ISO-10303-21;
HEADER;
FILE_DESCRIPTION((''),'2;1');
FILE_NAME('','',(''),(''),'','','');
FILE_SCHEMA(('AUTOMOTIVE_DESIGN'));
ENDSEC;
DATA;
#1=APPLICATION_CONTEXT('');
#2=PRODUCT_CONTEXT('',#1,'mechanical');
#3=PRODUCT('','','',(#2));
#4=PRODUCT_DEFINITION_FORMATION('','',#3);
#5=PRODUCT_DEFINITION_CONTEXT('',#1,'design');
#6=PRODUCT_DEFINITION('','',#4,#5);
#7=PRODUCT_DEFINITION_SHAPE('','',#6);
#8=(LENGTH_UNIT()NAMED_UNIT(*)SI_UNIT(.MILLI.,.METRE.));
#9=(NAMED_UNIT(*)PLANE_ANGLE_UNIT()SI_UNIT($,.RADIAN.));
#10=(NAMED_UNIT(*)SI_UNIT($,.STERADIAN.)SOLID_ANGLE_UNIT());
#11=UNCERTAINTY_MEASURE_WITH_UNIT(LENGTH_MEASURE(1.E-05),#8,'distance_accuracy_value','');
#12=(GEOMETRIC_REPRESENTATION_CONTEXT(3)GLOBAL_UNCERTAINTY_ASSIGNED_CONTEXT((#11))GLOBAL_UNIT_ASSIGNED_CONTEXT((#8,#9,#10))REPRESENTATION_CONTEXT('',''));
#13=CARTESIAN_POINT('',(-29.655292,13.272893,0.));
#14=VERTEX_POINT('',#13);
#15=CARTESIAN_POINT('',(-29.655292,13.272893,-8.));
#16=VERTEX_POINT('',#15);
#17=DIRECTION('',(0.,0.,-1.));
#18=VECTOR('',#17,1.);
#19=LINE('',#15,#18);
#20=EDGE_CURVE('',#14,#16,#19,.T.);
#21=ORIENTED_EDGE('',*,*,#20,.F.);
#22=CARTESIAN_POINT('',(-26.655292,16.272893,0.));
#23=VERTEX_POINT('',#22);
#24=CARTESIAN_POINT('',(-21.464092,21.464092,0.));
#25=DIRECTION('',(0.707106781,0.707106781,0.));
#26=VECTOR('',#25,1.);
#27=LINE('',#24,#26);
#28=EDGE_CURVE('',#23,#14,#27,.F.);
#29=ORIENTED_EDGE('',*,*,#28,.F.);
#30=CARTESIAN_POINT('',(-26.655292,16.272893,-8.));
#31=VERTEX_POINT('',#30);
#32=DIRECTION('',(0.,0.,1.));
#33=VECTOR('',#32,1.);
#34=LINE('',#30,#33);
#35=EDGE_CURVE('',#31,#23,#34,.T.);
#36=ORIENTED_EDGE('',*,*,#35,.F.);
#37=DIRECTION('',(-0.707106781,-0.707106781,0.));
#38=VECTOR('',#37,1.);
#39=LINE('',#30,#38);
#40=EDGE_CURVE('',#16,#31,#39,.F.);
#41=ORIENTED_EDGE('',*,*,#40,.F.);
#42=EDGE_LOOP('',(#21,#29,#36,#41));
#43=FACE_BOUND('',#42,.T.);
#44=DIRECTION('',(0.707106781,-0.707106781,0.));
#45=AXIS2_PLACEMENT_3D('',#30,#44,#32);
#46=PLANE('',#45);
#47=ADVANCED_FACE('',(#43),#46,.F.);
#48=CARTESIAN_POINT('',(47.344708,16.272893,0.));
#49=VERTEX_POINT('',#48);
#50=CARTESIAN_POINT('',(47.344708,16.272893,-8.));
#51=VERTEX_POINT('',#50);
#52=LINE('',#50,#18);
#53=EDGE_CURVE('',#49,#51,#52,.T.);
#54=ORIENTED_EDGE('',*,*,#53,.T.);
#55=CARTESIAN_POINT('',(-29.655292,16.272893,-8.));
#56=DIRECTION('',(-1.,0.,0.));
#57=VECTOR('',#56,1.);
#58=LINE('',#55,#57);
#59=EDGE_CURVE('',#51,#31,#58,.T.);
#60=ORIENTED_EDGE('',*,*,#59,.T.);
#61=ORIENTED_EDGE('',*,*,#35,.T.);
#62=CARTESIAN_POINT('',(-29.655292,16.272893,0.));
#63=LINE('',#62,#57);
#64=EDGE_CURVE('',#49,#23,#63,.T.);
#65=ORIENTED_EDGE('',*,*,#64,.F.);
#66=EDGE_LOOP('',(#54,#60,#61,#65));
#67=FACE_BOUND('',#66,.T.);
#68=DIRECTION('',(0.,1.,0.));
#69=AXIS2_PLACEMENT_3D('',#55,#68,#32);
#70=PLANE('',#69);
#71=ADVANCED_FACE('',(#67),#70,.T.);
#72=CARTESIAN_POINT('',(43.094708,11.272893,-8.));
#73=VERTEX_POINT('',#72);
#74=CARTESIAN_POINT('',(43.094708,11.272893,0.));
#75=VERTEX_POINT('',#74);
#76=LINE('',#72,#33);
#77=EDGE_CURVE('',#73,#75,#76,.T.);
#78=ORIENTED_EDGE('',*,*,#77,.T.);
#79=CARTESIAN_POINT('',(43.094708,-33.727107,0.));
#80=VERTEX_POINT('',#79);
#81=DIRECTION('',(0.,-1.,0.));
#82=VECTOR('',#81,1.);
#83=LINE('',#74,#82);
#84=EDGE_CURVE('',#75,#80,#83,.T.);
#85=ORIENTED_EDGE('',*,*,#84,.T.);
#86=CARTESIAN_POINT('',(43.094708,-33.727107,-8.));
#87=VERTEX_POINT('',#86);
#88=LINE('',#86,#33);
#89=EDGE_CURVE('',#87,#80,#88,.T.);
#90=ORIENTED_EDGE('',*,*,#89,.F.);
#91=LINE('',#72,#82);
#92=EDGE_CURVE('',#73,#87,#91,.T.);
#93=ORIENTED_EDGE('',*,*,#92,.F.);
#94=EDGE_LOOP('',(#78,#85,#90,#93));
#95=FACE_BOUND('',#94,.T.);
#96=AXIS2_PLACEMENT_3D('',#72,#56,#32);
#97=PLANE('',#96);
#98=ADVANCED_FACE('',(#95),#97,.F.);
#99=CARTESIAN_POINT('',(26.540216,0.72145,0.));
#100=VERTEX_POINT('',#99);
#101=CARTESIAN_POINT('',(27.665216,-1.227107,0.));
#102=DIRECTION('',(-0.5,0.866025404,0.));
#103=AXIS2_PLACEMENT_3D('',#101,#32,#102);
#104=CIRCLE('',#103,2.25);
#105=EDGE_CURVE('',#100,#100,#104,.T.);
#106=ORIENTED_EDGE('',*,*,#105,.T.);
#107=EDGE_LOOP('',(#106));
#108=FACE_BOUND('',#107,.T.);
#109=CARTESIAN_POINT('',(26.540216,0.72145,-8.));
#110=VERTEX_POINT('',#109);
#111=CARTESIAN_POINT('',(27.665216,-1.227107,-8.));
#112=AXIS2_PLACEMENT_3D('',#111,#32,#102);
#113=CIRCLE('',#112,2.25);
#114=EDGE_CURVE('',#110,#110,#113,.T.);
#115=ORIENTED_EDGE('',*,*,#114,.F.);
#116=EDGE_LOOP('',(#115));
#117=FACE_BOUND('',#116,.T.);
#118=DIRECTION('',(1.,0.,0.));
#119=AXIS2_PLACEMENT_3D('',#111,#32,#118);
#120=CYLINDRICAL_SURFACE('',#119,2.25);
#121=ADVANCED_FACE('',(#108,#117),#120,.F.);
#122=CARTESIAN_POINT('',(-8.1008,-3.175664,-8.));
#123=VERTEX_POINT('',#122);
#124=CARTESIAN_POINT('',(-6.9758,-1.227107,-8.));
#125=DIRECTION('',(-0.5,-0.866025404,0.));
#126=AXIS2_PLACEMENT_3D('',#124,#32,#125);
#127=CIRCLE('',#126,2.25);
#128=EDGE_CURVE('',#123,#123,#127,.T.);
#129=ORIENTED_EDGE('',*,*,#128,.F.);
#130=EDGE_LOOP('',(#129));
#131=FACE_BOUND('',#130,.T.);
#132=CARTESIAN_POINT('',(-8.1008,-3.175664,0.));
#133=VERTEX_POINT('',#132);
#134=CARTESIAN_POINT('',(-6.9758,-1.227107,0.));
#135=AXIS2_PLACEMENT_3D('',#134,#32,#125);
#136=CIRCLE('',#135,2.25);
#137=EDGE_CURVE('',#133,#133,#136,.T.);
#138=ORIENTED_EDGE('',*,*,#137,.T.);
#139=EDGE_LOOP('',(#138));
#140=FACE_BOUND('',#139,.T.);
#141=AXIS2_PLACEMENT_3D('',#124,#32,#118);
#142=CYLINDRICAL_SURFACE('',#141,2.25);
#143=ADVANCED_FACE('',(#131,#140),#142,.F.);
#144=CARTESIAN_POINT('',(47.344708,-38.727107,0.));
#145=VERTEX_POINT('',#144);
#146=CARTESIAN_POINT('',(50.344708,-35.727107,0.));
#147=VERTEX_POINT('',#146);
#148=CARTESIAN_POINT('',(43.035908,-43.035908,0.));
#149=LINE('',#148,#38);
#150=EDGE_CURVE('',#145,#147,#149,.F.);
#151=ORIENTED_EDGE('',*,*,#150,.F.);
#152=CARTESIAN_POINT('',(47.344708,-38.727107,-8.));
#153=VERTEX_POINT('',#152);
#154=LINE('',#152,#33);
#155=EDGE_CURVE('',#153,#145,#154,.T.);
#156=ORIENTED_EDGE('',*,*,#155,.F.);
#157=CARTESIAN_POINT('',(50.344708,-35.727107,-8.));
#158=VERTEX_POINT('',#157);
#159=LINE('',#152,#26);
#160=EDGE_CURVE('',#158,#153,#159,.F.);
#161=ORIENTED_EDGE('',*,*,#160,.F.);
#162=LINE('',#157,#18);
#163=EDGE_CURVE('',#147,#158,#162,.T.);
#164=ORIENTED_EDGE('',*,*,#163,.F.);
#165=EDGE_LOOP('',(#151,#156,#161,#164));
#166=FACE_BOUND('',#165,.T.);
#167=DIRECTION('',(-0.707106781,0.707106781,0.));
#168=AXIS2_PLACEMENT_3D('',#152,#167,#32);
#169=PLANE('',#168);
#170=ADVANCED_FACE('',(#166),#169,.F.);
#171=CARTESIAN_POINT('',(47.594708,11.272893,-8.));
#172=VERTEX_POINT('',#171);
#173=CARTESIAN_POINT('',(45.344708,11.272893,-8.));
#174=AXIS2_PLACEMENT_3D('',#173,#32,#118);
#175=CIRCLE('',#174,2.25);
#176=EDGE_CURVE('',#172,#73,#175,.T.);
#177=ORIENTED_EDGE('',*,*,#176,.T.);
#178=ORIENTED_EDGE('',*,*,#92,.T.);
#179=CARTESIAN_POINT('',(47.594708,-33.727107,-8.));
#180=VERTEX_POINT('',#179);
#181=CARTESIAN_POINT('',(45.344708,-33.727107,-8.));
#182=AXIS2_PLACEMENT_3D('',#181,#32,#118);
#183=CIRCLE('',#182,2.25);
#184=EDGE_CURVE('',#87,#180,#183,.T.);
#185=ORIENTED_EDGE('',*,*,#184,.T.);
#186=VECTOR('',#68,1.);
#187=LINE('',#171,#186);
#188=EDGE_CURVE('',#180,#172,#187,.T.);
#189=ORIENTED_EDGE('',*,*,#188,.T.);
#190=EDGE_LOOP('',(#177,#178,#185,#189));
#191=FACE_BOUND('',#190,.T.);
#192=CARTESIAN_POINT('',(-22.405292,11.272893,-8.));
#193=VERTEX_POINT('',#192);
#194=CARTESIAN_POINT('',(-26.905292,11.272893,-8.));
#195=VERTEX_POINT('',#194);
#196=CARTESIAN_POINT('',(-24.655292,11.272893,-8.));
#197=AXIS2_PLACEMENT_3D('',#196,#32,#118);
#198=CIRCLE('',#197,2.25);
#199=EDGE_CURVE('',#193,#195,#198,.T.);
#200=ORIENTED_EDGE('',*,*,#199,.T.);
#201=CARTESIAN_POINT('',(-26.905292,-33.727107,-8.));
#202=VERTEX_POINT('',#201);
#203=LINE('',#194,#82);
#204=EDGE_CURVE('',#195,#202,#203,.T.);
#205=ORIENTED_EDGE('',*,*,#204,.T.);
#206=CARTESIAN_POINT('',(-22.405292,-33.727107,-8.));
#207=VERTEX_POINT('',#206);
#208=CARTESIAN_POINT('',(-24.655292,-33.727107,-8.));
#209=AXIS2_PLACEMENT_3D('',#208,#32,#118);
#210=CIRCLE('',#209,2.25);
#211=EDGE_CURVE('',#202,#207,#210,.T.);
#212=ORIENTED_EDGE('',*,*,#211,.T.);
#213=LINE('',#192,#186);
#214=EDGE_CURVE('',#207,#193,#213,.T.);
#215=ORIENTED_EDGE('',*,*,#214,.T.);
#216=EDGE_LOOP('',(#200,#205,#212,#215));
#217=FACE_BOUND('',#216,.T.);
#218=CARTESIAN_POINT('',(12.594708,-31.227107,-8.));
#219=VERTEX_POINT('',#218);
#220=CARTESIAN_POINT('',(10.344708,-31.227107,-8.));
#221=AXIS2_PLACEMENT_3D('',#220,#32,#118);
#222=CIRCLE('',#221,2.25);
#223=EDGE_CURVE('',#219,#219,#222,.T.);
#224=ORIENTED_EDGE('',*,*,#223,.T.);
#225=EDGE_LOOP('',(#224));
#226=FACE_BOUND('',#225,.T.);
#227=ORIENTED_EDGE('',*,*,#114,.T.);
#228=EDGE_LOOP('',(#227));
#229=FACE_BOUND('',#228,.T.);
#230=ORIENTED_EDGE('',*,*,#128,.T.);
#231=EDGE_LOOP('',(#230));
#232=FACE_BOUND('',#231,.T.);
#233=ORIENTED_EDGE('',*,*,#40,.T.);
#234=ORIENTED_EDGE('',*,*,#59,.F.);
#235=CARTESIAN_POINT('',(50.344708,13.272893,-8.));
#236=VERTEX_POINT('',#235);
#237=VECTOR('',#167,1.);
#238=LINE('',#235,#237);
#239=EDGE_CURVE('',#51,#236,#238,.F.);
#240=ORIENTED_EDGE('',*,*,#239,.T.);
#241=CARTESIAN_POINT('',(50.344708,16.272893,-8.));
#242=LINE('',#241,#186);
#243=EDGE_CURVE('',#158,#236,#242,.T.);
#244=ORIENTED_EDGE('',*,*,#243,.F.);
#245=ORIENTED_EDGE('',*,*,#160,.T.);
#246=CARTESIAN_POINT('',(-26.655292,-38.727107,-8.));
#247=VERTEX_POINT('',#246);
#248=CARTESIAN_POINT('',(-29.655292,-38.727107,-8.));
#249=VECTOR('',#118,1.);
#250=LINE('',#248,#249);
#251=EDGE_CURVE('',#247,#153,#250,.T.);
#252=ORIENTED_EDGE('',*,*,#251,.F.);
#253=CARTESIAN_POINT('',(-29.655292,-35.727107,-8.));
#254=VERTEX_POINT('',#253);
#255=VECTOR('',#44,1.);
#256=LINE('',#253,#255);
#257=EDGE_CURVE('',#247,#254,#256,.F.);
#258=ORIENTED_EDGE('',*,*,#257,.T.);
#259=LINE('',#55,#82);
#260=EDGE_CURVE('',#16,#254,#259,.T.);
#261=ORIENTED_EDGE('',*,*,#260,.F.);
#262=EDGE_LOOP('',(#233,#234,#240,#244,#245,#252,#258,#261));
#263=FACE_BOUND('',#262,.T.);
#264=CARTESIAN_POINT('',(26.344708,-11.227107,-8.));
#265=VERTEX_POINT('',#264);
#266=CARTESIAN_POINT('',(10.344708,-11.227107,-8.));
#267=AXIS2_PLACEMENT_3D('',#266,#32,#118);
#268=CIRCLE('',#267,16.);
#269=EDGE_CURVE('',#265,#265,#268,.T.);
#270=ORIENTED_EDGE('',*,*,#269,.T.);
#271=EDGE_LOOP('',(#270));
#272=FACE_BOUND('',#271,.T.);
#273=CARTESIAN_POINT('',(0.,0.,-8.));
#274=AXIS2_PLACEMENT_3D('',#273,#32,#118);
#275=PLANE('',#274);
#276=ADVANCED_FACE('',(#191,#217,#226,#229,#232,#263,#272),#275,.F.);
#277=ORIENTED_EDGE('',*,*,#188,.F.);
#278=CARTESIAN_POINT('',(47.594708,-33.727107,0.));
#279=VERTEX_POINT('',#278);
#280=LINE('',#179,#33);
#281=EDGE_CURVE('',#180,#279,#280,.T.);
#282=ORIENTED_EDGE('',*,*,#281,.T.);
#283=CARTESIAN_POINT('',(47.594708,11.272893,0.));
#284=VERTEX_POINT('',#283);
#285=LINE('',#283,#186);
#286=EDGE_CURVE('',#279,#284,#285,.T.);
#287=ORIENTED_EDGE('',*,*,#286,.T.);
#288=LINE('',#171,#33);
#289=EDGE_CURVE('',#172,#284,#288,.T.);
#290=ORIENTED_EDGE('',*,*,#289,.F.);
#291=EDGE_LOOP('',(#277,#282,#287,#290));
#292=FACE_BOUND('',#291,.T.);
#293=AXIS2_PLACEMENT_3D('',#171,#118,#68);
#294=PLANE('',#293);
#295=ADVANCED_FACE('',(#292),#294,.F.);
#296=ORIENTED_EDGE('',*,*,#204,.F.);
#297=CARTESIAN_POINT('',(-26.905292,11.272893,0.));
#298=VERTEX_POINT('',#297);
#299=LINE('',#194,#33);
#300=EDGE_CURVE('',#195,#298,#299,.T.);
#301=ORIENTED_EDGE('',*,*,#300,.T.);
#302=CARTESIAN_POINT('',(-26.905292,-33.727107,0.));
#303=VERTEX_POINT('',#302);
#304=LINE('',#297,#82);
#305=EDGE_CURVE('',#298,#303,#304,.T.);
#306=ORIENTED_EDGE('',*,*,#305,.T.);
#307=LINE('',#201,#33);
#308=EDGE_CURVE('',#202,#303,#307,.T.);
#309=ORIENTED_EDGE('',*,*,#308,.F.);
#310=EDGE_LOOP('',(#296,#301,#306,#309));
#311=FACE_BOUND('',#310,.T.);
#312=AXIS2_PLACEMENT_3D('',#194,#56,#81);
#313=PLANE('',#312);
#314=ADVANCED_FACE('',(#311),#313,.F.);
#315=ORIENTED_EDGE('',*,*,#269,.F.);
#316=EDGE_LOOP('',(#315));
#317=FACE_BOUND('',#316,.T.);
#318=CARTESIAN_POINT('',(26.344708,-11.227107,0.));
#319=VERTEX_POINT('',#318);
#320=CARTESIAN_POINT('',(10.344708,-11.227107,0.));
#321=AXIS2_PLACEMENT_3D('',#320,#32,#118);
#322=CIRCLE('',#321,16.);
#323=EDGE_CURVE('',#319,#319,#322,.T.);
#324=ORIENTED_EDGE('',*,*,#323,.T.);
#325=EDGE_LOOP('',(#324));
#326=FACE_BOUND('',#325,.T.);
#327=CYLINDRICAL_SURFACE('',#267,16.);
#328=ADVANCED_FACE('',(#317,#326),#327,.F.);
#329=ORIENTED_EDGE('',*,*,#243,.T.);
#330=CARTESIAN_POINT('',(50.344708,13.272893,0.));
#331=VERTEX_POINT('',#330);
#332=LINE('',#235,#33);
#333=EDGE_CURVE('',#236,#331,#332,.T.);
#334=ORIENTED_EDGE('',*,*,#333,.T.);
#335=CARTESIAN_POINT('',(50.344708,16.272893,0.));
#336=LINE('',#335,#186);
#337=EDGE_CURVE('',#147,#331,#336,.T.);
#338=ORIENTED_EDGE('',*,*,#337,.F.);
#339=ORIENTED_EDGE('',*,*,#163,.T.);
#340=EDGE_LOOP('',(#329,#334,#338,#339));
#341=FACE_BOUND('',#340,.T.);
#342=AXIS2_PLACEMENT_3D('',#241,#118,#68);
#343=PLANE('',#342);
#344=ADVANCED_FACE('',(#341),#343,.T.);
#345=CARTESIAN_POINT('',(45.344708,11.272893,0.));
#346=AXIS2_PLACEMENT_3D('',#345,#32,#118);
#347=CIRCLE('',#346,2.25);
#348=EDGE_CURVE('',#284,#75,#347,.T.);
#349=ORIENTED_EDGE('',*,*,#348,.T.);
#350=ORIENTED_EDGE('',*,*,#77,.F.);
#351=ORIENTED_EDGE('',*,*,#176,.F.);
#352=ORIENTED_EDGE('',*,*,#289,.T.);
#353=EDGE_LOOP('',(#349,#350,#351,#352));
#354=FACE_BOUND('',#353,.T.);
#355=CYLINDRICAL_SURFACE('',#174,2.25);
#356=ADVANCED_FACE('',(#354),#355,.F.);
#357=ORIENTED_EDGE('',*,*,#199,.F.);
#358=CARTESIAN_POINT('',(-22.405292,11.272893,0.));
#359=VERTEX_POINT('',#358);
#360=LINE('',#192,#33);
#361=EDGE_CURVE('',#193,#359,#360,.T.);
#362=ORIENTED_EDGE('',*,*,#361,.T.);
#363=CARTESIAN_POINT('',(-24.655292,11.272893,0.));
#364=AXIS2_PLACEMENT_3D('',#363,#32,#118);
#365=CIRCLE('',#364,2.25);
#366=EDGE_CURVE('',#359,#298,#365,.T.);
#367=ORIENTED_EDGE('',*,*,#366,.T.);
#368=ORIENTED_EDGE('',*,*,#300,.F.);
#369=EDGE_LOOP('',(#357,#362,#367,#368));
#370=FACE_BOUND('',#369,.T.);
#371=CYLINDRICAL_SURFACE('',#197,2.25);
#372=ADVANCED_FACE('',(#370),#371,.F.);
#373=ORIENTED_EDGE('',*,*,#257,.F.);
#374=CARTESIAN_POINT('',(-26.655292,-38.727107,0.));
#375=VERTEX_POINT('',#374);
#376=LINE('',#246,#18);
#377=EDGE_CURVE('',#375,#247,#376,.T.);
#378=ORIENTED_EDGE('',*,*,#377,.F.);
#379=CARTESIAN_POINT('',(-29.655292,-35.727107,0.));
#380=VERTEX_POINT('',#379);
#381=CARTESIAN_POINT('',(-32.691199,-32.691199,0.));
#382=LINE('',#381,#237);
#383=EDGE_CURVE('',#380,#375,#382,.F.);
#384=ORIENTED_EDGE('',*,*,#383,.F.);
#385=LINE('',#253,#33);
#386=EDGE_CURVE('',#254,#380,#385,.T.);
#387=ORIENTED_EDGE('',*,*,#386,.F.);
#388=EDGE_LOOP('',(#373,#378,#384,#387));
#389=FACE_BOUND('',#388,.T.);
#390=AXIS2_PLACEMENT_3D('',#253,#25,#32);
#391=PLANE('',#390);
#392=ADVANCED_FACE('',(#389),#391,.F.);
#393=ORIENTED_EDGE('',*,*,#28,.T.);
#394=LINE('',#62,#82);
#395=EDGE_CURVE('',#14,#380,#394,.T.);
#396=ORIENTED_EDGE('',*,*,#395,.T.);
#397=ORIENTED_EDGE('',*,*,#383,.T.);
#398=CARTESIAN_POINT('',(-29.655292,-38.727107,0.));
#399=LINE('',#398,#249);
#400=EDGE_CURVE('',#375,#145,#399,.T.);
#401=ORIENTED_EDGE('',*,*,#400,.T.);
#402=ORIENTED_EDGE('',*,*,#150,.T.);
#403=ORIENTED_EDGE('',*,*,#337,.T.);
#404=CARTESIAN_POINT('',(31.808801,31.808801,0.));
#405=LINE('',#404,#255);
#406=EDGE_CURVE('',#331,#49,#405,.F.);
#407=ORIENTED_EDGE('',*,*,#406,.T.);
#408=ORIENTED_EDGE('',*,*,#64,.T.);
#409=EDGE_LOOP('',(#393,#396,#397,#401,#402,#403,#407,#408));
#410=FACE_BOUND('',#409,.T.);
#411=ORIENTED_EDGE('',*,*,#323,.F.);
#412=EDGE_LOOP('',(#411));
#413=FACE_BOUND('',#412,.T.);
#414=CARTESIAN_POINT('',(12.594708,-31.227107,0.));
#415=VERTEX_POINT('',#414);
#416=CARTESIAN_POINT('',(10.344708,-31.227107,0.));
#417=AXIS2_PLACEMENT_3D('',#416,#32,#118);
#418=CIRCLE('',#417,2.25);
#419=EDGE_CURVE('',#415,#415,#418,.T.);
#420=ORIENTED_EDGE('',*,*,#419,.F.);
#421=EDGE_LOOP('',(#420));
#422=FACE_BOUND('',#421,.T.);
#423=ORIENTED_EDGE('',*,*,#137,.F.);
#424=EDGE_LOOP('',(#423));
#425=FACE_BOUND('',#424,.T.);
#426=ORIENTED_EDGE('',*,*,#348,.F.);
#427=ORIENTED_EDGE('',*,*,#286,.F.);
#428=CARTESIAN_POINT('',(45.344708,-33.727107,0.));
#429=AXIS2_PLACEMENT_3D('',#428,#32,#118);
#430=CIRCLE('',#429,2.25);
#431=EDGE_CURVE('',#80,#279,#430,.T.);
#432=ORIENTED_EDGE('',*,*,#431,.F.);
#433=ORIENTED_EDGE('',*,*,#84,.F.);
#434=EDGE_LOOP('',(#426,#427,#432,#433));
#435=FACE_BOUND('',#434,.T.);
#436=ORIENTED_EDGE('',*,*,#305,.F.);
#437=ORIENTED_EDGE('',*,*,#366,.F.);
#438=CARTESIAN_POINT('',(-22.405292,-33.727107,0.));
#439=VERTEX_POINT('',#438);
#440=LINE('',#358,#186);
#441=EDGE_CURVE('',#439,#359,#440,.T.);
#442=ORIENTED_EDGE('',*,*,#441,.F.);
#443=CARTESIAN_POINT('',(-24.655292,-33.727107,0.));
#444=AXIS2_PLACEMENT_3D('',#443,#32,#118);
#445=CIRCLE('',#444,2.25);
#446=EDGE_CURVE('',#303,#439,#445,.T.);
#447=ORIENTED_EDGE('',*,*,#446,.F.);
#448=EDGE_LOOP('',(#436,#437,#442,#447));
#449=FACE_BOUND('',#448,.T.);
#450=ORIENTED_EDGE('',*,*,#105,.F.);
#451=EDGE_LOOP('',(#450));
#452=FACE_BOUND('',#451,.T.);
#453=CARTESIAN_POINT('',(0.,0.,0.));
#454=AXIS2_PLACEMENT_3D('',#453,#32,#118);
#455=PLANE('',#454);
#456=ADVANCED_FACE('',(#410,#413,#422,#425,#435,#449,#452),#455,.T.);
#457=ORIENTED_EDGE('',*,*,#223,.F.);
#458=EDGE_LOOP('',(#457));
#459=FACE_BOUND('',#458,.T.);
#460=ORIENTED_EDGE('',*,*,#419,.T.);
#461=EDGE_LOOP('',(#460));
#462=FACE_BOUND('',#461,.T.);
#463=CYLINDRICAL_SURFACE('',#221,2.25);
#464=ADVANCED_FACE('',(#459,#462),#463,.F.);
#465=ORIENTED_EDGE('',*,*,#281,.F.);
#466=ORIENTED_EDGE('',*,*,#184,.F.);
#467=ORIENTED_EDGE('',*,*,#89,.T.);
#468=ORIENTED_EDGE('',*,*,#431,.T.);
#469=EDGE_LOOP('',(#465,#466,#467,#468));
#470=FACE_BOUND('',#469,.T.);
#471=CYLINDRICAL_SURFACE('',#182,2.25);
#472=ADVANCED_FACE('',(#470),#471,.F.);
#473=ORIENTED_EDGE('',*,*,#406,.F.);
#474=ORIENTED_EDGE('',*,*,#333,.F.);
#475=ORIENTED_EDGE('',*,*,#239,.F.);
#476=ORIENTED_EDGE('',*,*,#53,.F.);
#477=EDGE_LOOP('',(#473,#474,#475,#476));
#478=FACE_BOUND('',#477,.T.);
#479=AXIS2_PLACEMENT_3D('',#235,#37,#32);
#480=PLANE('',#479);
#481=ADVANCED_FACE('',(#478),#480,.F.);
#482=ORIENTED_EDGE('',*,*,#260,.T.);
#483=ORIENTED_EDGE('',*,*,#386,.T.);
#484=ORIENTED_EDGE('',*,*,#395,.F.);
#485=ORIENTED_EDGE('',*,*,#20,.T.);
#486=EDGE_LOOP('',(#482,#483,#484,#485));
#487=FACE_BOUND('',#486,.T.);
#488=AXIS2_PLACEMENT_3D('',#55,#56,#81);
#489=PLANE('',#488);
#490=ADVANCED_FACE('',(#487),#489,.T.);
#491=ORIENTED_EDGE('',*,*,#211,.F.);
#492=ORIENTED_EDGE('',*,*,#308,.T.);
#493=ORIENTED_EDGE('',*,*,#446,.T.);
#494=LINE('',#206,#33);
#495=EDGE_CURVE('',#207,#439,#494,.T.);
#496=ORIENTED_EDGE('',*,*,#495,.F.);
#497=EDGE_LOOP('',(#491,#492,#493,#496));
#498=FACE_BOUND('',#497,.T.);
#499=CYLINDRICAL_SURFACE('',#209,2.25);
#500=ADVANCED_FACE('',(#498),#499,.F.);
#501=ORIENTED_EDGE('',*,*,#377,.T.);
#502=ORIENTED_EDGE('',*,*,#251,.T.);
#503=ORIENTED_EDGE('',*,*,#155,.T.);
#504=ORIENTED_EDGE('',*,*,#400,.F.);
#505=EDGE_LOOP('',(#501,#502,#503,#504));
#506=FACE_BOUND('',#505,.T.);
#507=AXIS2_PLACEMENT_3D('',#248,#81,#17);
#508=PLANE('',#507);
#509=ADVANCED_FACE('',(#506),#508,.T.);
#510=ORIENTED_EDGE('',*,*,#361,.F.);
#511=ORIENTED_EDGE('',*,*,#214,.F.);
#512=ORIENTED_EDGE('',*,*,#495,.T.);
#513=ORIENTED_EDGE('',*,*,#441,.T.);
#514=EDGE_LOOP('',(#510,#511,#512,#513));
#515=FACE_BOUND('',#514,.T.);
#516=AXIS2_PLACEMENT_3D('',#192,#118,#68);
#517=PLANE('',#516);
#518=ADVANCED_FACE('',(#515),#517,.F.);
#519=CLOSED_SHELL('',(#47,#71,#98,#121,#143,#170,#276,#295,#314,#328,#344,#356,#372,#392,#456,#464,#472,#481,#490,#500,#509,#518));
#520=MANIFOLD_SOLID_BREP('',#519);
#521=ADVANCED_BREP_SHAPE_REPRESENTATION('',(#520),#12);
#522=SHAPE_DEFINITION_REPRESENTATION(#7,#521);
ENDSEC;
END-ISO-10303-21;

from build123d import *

# Parameters (mm, degrees)
SKETCH1_W           = 80
SKETCH1_H           = 55
SKETCH1_R           = 16
BOSS_EXTRUDE1_DEPTH = 8
SKETCH2_R           = 2.25
CUT_EXTRUDE1_DEPTH  = 8
CIRPATTERN1_COUNT   = 3
CHAMFER1_SIZE       = 3


with BuildPart() as part:
    # Sketch1 → Boss-Extrude1 (new body)
    with BuildSketch(Plane.XY):
        with Locations((10.344708022, -11.227107004)):
            Rectangle(SKETCH1_W, SKETCH1_H)
        with Locations((10.344708022, -11.227107004)):
            Circle(SKETCH1_R, mode=Mode.SUBTRACT)
        with BuildLine():
            Line((-26.905291978, 11.272892996), (-26.905291978, -33.727107004))
            ThreePointArc((-26.905291978, -33.727107004), (-24.655291978, -35.977107004), (-22.405291978, -33.727107004))
            Line((-22.405291978, -33.727107004), (-22.405291978, 11.272892996))
            ThreePointArc((-22.405291978, 11.272892996), (-24.655291978, 13.522892996), (-26.905291978, 11.272892996))
        make_face(mode=Mode.SUBTRACT)
        with BuildLine():
            Line((43.094708022, 11.272892996), (43.094708022, -33.727107004))
            ThreePointArc((43.094708022, -33.727107004), (45.344708022, -35.977107004), (47.594708022, -33.727107004))
            Line((47.594708022, -33.727107004), (47.594708022, 11.272892996))
            ThreePointArc((47.594708022, 11.272892996), (45.344708022, 13.522892996), (43.094708022, 11.272892996))
        make_face(mode=Mode.SUBTRACT)
    extrude(amount=-BOSS_EXTRUDE1_DEPTH)

    # Sketch2 → Cut-Extrude1 (cut)
    with BuildSketch(Plane.XY):
        with Locations((10.344708022, -31.227107004)):
            Circle(SKETCH2_R)
    cut_extrude1 = extrude(amount=-CUT_EXTRUDE1_DEPTH, mode=Mode.SUBTRACT)

    # CirPattern1: Cut-Extrude1 ×3 about axis
    cirpattern1_axis = Axis((10.344708022, -11.227107004, 0), (0, 0, 1))
    for i in range(1, CIRPATTERN1_COUNT):
        add(cut_extrude1.rotate(cirpattern1_axis, i * 360 / CIRPATTERN1_COUNT), mode=Mode.SUBTRACT)

    # Chamfer1
    chamfer1_edges = [part.edges().sort_by_distance(p)[0] for p in [
        (-29.655291978, 16.272892996, -4),
        (50.344708022, 16.272892996, -4),
        (50.344708022, -38.727107004, -4),
        (-29.655291978, -38.727107004, -4),
    ]]
    chamfer(chamfer1_edges, length=CHAMFER1_SIZE)


solid = part.part
